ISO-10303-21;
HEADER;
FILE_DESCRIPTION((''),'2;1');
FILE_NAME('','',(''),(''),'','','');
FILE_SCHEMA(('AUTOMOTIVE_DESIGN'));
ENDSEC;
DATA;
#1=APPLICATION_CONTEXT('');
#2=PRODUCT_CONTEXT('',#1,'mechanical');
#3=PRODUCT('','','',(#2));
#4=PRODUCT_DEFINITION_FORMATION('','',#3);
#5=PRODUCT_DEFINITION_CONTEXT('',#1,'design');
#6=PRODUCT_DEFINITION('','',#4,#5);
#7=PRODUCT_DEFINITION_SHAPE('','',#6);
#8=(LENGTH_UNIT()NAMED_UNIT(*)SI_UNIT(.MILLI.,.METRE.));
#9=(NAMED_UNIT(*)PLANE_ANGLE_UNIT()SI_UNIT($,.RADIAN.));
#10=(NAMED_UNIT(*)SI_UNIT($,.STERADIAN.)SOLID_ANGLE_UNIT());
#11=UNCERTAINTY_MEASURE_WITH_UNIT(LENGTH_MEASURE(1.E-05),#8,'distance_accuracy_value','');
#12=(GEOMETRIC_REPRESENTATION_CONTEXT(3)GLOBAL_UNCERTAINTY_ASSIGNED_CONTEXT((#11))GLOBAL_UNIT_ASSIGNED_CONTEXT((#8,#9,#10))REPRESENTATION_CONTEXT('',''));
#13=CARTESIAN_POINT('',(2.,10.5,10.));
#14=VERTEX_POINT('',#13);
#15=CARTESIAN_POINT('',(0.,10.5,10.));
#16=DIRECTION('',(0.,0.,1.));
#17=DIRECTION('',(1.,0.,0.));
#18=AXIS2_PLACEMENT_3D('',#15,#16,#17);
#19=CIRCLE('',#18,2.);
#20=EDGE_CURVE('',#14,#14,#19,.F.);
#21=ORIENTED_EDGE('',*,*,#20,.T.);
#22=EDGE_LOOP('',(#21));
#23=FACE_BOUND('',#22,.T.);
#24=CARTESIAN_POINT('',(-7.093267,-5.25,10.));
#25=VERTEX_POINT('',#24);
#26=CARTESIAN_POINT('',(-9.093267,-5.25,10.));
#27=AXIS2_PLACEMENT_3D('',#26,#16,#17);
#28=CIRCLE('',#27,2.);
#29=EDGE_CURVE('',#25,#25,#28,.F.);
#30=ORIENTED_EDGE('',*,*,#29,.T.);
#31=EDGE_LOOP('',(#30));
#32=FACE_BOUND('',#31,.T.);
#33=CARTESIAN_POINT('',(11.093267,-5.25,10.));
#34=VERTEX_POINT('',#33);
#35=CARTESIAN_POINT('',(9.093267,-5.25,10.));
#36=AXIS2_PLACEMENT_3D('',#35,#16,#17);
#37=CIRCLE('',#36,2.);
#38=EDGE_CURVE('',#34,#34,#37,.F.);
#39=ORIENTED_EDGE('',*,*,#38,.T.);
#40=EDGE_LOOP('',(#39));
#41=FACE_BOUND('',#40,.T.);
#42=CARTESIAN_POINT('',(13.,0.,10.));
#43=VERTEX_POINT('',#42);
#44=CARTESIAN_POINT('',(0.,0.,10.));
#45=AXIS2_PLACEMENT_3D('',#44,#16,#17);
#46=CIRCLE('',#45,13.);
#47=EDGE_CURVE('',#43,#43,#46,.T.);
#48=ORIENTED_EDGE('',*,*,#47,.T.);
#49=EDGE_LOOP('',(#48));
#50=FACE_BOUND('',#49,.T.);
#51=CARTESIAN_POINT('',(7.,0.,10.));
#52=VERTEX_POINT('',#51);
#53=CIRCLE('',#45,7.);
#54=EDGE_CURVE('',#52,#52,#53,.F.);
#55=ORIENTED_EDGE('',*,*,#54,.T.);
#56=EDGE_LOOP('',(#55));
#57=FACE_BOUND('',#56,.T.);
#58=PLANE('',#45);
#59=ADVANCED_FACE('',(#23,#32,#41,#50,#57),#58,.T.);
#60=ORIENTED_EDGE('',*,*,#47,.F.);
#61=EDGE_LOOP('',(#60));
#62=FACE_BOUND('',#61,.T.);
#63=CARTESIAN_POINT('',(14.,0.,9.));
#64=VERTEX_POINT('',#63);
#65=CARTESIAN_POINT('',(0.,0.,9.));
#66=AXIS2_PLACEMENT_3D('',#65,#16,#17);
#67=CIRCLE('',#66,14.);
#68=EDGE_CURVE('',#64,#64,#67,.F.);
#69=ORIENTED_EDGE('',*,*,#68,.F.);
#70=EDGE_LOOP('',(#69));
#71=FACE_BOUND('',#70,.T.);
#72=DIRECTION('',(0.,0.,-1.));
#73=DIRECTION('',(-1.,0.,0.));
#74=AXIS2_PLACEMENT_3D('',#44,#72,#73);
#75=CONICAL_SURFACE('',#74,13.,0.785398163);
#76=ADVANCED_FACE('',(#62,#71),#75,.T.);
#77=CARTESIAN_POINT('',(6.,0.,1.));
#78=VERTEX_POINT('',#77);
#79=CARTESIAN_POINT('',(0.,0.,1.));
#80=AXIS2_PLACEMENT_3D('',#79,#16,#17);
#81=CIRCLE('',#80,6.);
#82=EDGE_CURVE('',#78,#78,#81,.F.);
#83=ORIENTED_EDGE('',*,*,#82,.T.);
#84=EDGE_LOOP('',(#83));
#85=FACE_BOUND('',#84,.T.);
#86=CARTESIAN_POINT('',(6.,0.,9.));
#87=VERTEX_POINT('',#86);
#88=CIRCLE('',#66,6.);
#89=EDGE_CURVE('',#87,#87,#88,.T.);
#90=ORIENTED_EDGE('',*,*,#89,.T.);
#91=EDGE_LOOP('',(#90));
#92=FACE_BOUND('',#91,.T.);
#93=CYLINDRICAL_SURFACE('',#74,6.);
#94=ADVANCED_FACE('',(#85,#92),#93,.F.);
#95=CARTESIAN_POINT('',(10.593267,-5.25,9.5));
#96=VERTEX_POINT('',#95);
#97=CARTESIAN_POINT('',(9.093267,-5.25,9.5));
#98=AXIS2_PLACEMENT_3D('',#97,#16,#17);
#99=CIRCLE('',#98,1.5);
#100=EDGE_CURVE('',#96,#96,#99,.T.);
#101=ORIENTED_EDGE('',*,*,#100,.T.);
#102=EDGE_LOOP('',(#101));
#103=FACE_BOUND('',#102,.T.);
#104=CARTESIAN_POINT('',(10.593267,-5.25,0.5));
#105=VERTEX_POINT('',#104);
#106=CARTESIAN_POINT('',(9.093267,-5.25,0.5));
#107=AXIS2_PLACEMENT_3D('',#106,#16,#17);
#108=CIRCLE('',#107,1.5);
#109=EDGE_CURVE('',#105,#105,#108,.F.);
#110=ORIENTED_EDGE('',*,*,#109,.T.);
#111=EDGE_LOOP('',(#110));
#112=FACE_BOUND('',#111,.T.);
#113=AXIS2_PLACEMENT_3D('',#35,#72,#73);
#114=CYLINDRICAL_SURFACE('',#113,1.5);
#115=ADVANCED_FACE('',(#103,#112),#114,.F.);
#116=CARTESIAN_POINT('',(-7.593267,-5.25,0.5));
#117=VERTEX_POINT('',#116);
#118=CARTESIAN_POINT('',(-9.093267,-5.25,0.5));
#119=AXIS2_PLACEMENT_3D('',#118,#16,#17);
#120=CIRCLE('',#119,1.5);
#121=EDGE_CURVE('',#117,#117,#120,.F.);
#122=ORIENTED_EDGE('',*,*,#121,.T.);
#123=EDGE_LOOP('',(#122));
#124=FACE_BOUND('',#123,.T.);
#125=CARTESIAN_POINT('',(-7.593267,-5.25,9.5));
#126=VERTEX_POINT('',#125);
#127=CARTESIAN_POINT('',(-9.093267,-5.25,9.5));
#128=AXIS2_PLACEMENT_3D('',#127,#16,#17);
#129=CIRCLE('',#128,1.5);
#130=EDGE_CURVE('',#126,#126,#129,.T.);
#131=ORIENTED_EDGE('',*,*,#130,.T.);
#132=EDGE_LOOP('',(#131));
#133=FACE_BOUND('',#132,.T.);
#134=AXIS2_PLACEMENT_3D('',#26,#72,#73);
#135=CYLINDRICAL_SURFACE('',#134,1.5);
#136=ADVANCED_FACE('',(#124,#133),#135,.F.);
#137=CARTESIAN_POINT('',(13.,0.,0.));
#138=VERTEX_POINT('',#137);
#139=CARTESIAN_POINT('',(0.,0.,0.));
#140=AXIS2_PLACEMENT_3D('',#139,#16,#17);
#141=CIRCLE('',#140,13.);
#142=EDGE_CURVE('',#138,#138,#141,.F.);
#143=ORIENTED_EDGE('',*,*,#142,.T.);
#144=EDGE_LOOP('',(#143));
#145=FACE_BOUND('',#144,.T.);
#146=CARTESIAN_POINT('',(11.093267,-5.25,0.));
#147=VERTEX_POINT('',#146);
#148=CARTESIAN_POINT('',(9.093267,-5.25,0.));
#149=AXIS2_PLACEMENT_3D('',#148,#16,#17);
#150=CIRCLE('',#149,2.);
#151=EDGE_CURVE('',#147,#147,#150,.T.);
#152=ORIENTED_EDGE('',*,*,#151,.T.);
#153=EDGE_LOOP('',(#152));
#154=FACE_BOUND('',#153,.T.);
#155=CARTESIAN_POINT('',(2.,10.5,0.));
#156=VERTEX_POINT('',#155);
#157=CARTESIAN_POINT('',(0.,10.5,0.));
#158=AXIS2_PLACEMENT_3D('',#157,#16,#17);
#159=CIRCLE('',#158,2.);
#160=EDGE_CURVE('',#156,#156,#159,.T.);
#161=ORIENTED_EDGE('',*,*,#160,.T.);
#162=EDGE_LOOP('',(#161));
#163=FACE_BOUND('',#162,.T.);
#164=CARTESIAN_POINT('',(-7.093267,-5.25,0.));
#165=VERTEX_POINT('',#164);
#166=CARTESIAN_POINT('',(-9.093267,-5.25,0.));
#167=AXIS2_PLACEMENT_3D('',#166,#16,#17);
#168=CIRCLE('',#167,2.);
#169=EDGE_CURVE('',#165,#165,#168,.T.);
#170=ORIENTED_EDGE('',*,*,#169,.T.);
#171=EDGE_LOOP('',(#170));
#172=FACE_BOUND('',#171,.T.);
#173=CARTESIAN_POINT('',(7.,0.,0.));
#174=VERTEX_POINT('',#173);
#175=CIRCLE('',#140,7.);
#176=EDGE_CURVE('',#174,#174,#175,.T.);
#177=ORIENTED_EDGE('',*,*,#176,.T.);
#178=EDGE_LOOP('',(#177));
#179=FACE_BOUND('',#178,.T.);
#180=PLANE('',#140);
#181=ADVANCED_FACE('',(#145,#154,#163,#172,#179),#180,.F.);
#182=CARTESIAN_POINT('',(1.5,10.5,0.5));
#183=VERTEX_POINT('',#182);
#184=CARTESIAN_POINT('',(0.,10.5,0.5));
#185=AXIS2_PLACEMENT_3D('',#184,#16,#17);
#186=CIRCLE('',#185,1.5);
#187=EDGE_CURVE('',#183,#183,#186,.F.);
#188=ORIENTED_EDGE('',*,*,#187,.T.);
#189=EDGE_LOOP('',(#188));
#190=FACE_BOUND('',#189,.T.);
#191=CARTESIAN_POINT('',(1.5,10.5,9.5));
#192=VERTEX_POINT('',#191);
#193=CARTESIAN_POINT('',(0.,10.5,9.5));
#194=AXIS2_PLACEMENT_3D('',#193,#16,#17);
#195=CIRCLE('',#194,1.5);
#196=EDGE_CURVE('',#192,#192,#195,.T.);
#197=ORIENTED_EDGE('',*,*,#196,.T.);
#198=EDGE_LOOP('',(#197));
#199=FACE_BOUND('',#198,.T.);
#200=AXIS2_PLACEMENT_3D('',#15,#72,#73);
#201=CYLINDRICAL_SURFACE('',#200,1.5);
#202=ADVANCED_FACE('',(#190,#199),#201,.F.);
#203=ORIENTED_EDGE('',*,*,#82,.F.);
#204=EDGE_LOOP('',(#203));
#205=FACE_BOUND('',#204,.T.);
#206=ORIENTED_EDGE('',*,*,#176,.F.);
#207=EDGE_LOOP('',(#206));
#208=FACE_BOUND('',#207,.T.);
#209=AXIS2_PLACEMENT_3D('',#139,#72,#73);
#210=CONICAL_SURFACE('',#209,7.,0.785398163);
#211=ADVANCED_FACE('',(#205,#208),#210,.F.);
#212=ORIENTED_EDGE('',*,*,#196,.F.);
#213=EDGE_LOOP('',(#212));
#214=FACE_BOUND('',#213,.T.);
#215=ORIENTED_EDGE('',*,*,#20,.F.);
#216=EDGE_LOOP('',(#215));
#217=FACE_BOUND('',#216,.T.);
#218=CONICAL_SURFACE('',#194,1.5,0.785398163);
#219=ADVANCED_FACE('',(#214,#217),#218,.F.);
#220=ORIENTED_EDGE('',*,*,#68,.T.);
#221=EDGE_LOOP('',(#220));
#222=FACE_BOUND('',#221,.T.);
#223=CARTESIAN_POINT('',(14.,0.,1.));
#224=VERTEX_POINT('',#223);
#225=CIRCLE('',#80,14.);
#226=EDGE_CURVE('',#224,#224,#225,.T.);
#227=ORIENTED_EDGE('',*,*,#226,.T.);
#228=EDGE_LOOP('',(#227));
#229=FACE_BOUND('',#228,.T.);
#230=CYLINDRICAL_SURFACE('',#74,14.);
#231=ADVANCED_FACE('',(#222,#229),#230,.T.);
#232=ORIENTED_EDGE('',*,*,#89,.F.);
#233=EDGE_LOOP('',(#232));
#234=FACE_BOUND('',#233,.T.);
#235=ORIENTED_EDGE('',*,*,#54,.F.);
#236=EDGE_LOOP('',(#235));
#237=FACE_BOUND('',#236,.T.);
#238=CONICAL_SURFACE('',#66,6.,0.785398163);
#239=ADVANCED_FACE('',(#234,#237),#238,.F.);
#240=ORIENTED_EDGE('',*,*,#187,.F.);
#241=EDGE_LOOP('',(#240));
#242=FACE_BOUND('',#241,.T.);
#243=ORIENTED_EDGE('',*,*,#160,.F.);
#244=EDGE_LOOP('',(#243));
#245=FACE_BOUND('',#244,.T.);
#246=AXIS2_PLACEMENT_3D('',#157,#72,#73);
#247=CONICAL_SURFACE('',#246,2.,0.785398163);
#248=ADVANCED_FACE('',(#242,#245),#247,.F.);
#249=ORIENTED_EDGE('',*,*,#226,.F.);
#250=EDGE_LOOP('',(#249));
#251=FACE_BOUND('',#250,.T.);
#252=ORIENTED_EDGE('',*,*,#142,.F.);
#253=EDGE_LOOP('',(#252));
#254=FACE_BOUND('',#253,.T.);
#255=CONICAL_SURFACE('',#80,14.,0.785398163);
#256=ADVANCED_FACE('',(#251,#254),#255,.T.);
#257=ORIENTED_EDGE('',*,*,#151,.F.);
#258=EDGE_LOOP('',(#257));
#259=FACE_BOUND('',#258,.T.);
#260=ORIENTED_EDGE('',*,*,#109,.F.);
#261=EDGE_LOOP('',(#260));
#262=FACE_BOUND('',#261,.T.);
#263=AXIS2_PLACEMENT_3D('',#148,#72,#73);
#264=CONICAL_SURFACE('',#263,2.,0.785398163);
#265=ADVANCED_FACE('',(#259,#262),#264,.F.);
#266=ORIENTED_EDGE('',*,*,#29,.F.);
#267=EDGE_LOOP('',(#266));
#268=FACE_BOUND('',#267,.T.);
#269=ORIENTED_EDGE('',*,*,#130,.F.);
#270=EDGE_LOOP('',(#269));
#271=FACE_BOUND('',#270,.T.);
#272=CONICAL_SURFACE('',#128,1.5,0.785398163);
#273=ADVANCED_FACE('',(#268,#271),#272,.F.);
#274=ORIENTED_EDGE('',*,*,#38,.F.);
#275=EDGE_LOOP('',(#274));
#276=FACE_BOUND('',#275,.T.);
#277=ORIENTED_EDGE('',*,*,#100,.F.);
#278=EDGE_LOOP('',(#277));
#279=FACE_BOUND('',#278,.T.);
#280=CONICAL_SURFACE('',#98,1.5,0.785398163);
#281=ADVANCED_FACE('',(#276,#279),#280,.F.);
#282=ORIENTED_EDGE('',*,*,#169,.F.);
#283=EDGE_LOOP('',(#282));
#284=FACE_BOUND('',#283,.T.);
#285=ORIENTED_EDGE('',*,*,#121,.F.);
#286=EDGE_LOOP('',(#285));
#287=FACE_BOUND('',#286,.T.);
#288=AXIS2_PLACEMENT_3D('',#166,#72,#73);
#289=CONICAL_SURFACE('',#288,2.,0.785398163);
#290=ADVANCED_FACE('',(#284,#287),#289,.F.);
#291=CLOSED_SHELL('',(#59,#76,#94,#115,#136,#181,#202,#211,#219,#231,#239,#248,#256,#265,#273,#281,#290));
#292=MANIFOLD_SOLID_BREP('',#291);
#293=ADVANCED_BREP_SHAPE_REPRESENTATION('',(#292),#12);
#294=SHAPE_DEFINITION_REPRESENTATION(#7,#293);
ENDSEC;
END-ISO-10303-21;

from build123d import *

# Parameters (mm, degrees)
SKETCH1_R           = 14
SKETCH1_R_2         = 6
SKETCH1_R_3         = 1.5
BOSS_EXTRUDE1_DEPTH = 10
CHAMFER1_SIZE       = 1
CHAMFER2_SIZE       = 0.5


with BuildPart() as part:
    # Sketch1 → Boss-Extrude1 (new body)
    with BuildSketch(Plane.XY):
        Circle(SKETCH1_R)
        Circle(SKETCH1_R_2, mode=Mode.SUBTRACT)
        with Locations((0, 10.5)):
            Circle(SKETCH1_R_3, mode=Mode.SUBTRACT)
        with Locations((9.09326674, -5.25)):
            Circle(SKETCH1_R_3, mode=Mode.SUBTRACT)
        with Locations((-9.09326674, -5.25)):
            Circle(SKETCH1_R_3, mode=Mode.SUBTRACT)
    extrude(amount=BOSS_EXTRUDE1_DEPTH)

    # Chamfer1
    chamfer1_edges = [part.edges().sort_by_distance(p)[0] for p in [
        (-14, 0, 0),
        (-14, 0, 10),
        (-6, 0, 0),
        (-6, 0, 10),
    ]]
    chamfer(chamfer1_edges, length=CHAMFER1_SIZE)

    # Chamfer2
    chamfer2_edges = [part.edges().sort_by_distance(p)[0] for p in [
        (7.59326674, -5.25, 0),
        (7.59326674, -5.25, 10),
        (-10.59326674, -5.25, 0),
        (-10.59326674, -5.25, 10),
        (-1.5, 10.5, 0),
        (-1.5, 10.5, 10),
    ]]
    chamfer(chamfer2_edges, length=CHAMFER2_SIZE)


solid = part.part
